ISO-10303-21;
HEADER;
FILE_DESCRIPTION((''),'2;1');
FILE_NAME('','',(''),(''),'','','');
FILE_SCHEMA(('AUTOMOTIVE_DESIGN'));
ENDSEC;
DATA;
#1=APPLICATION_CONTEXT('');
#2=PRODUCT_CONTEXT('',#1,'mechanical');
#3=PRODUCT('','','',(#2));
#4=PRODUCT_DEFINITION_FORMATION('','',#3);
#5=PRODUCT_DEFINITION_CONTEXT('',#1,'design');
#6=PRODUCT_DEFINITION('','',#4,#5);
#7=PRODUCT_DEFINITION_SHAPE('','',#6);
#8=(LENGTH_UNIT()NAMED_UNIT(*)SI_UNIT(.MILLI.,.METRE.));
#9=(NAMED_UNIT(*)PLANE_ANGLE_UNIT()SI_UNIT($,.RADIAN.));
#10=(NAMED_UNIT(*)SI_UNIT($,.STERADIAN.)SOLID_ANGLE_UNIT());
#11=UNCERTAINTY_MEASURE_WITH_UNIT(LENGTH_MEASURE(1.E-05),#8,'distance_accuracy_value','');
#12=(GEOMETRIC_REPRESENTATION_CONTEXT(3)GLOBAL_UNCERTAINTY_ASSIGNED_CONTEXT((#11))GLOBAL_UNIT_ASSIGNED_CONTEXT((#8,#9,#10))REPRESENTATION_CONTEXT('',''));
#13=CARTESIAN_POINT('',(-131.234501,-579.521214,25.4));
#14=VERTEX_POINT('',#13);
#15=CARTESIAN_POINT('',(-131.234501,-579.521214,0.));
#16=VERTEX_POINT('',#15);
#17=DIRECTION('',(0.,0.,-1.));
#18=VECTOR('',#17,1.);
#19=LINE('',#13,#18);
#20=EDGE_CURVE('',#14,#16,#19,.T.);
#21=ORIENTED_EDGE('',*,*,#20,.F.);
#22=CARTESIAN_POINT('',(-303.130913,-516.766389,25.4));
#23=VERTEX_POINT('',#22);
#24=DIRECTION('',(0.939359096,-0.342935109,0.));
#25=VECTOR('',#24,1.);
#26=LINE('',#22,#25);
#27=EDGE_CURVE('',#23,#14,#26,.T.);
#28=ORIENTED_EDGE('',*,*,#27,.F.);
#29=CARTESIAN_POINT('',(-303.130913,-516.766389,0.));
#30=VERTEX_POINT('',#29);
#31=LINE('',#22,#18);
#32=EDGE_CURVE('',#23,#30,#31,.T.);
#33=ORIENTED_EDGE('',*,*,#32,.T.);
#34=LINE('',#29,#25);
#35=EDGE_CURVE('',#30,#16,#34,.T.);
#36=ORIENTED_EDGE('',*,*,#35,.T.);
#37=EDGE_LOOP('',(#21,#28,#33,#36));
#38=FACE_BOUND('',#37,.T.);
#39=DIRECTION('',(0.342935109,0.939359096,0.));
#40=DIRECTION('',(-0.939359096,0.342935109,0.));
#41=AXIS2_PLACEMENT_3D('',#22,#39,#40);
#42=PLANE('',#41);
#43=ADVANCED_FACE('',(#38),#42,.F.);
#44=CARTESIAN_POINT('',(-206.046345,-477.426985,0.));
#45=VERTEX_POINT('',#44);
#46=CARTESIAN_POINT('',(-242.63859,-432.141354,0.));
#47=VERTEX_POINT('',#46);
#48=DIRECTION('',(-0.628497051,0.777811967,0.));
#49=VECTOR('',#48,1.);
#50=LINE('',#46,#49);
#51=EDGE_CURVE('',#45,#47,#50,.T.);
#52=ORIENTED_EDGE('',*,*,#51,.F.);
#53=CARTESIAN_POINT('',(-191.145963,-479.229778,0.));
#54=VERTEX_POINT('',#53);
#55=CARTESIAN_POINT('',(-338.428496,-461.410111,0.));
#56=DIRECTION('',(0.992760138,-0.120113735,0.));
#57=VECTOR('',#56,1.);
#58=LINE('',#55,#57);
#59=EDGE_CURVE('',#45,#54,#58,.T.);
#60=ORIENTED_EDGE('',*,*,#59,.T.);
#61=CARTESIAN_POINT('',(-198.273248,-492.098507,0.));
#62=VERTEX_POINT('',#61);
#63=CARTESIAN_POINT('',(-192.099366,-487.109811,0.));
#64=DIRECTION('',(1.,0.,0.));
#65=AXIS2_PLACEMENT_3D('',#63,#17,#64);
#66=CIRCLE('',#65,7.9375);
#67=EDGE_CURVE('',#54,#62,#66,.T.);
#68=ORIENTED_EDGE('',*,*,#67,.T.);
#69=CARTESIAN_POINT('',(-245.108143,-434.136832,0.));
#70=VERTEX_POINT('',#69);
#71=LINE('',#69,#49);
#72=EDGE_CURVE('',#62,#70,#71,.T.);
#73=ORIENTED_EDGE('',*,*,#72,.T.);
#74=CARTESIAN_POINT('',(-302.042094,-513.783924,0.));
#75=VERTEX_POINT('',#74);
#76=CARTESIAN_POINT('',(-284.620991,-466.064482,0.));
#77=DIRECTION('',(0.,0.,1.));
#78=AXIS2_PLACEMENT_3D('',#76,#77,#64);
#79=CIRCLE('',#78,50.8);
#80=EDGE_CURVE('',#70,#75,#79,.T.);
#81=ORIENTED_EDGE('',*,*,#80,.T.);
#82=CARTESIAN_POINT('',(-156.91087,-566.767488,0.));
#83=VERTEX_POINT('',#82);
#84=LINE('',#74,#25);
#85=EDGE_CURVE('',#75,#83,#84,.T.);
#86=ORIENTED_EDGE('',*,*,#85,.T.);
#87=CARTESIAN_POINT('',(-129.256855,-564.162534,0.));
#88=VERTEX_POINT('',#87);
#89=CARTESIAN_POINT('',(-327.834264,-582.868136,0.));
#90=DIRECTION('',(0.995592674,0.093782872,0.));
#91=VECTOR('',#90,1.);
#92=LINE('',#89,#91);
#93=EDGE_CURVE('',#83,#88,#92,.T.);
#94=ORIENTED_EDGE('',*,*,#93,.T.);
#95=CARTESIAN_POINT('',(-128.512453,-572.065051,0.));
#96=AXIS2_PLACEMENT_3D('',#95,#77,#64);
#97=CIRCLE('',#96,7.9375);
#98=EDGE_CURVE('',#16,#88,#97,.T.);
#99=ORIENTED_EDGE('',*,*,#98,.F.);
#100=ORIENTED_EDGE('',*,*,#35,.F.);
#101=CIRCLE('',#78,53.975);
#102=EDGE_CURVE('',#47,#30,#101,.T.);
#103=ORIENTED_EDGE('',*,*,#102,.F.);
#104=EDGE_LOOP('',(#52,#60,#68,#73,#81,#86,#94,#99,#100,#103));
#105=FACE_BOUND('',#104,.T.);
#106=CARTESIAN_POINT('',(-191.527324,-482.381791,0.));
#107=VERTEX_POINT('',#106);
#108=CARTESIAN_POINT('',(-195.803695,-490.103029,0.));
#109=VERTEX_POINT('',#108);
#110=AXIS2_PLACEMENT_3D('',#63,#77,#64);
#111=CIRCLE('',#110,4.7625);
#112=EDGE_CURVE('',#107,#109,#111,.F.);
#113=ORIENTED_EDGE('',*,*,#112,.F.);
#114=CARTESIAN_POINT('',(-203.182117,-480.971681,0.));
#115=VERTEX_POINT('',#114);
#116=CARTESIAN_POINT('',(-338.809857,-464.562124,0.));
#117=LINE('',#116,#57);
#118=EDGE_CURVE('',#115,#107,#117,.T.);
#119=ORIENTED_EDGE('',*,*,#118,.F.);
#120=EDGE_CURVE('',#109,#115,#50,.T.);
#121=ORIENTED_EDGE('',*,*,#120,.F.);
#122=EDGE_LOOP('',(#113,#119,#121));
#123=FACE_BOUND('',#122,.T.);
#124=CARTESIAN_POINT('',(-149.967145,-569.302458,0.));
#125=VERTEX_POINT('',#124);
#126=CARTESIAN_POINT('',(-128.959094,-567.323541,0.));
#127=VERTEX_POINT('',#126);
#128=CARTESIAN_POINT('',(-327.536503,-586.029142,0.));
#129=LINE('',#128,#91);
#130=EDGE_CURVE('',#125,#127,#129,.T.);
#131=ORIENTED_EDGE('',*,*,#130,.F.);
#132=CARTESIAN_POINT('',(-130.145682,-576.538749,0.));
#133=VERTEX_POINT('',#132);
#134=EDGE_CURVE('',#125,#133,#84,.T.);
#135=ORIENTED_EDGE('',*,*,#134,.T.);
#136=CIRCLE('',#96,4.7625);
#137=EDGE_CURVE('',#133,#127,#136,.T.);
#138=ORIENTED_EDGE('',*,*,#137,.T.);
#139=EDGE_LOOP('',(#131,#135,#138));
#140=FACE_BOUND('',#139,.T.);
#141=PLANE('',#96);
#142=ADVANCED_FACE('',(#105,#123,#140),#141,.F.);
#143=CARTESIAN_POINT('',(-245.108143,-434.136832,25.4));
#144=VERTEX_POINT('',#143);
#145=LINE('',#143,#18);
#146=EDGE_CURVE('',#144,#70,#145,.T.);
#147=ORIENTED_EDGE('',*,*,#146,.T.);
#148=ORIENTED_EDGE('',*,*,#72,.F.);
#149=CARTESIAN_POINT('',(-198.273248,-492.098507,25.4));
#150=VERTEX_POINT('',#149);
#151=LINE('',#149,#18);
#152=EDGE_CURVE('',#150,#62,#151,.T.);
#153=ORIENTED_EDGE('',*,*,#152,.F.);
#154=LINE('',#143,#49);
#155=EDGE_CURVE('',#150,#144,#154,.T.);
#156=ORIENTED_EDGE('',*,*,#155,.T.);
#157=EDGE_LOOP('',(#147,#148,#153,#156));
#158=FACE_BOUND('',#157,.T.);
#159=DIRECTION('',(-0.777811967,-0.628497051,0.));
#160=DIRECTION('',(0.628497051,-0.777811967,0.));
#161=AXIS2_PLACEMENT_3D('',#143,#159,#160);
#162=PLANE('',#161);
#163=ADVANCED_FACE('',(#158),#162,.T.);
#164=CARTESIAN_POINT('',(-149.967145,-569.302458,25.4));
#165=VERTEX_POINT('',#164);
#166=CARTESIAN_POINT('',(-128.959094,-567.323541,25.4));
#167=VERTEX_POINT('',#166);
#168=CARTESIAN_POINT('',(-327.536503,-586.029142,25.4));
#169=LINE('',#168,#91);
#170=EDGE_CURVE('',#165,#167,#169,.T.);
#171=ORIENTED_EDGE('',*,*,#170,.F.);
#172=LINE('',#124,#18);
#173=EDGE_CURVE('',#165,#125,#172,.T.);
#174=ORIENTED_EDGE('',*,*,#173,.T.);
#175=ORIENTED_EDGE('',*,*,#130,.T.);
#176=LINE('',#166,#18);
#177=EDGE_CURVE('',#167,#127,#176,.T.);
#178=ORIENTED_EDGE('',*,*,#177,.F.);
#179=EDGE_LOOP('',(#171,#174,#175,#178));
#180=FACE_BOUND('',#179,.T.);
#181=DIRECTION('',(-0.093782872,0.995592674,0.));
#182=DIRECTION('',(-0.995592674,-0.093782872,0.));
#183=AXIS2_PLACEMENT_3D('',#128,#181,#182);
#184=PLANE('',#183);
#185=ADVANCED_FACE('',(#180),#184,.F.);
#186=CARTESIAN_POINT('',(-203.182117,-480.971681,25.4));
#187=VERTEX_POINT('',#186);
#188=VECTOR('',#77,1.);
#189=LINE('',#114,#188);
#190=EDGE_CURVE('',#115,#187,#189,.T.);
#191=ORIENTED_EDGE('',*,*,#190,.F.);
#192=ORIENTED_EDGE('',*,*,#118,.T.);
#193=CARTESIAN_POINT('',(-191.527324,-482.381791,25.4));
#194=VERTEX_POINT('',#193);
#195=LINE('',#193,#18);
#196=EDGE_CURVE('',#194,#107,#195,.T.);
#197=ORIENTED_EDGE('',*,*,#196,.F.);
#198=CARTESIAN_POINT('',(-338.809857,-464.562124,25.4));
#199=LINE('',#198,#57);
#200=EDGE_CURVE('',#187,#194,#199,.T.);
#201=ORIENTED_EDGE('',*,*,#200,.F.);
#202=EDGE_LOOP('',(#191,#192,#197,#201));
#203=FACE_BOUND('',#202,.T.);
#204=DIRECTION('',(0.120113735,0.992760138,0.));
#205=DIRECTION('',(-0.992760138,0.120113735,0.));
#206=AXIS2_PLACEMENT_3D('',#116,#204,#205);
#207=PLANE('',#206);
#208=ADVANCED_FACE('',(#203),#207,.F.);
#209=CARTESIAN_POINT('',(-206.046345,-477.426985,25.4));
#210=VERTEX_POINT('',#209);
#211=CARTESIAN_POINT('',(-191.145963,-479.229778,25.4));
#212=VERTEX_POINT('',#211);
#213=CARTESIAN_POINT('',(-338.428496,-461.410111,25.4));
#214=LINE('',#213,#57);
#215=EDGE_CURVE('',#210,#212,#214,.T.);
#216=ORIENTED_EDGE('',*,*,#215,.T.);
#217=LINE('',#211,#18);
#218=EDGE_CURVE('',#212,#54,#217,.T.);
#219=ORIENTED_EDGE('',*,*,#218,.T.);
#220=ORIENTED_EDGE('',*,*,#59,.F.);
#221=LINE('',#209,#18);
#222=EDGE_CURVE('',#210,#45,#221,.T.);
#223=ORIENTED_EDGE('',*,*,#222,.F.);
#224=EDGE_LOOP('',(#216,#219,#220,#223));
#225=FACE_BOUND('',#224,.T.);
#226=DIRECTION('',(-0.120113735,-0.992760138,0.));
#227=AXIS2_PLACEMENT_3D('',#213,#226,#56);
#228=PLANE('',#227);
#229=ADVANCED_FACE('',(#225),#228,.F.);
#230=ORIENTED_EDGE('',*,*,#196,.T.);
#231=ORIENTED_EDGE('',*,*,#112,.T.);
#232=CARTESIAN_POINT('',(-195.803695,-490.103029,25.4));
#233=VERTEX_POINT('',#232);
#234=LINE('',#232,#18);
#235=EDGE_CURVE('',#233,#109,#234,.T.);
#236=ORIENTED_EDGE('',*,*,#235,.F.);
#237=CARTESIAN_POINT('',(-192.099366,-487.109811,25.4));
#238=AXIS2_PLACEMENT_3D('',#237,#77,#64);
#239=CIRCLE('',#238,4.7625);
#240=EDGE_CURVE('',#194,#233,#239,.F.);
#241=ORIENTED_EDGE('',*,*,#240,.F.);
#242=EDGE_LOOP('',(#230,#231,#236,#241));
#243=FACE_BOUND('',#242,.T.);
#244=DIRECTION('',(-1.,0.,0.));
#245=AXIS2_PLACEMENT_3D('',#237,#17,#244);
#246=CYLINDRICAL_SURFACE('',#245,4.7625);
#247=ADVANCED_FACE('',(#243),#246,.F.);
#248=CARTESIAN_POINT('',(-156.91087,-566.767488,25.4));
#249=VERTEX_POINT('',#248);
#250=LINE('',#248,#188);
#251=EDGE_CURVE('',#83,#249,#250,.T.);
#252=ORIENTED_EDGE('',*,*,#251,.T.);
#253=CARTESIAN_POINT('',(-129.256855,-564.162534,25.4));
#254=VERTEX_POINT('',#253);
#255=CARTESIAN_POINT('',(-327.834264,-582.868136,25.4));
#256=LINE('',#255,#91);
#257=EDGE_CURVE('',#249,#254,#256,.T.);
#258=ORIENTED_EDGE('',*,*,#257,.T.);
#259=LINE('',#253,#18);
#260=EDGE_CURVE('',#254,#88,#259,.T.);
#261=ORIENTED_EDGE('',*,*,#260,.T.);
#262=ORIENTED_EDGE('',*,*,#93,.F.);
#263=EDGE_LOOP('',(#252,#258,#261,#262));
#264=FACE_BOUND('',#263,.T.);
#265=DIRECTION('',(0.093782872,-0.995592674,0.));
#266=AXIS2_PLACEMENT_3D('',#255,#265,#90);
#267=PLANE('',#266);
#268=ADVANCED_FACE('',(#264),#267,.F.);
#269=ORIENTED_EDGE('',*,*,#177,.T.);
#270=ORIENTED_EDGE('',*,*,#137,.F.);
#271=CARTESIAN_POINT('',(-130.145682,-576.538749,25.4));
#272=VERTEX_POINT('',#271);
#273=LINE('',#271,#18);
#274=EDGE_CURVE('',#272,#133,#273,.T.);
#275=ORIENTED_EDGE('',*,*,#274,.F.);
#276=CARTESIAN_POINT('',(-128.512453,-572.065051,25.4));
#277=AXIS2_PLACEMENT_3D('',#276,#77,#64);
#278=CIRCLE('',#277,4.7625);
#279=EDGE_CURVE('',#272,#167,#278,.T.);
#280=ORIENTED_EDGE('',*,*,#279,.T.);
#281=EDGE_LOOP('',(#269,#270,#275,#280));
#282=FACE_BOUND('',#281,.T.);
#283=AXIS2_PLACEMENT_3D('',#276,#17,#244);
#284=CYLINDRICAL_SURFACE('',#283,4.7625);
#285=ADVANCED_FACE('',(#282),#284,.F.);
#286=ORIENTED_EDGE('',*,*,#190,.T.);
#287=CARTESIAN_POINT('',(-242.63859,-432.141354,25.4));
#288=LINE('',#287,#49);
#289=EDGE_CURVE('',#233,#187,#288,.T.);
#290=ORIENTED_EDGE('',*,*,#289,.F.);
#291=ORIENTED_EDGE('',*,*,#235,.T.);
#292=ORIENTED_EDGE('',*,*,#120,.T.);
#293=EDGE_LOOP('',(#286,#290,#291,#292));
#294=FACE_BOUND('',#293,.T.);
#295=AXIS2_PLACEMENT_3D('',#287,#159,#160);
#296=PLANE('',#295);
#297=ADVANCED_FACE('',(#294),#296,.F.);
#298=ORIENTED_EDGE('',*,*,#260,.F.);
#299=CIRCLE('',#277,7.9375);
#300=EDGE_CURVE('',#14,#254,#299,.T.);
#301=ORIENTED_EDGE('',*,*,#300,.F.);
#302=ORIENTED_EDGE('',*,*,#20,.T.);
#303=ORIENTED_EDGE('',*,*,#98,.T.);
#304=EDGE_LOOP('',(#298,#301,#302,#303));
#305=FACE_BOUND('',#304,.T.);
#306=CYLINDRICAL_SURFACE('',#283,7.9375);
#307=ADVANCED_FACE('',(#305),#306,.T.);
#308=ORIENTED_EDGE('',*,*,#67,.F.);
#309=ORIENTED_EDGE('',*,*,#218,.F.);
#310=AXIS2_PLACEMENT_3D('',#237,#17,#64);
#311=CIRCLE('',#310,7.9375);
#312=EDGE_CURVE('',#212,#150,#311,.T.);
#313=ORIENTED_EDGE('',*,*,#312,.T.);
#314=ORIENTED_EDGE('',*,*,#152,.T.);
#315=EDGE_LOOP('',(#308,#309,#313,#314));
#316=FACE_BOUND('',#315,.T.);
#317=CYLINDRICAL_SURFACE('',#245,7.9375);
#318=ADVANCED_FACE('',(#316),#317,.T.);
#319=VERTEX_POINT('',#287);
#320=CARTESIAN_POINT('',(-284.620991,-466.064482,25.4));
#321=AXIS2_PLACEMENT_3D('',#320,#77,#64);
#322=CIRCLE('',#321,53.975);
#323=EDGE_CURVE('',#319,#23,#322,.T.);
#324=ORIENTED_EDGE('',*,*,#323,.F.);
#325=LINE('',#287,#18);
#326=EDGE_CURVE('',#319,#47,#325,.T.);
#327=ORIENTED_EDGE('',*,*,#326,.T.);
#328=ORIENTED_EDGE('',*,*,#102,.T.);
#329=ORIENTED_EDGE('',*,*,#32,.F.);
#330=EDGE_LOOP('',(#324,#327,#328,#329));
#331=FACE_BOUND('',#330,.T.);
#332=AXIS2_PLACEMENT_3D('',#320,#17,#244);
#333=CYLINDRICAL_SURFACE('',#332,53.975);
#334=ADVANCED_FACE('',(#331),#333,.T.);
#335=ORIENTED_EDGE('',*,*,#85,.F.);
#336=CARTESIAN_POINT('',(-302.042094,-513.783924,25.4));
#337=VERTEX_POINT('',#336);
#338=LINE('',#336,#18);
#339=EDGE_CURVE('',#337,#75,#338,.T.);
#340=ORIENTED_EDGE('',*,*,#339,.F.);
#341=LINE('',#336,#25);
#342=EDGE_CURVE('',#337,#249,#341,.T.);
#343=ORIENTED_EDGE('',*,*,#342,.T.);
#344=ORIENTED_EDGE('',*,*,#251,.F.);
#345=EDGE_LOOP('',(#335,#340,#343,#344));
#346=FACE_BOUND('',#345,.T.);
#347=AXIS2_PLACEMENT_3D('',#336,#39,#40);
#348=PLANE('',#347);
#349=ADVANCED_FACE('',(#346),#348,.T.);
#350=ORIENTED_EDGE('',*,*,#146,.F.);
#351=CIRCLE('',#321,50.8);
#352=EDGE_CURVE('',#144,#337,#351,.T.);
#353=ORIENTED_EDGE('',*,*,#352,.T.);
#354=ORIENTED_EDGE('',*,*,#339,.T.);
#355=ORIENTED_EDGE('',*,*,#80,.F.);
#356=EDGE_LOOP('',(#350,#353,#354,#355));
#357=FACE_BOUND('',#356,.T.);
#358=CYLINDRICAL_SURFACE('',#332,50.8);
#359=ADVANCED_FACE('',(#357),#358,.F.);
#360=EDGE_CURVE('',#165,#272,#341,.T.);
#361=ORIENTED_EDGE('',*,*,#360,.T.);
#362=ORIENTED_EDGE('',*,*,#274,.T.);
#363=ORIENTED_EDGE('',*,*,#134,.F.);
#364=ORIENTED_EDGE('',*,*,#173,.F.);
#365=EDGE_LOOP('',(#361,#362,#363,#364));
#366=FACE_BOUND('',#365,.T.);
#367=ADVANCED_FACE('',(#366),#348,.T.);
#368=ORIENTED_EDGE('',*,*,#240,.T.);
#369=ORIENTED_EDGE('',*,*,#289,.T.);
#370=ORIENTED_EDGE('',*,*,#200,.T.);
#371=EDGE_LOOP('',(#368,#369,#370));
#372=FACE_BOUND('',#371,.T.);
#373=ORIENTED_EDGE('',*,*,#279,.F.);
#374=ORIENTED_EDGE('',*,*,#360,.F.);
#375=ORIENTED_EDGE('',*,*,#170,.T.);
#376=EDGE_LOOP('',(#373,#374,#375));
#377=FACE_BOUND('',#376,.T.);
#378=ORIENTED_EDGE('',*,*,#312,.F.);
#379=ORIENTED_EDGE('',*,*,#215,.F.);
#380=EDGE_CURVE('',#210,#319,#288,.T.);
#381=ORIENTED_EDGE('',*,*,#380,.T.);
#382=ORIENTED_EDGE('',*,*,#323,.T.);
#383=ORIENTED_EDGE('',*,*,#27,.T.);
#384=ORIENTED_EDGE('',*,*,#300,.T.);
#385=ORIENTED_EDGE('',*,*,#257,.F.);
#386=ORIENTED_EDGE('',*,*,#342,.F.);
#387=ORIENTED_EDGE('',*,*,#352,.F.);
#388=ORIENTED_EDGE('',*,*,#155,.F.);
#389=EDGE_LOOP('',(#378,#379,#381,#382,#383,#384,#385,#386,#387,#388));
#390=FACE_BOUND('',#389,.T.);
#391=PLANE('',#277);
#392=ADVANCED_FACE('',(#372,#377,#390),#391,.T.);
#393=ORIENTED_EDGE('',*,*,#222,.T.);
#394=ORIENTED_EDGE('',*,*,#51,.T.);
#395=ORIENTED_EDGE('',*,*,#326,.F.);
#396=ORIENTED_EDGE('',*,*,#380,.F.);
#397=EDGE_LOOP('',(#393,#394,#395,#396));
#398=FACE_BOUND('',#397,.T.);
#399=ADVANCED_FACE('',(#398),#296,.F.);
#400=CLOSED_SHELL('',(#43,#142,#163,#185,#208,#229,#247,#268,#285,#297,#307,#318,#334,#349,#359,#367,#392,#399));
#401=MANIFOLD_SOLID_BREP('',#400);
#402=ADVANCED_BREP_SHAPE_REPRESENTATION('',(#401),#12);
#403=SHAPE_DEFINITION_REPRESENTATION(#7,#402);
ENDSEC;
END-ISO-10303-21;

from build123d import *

# Parameters (mm, degrees)
EXTRUDE_THIN1_DEPTH = 25.4
BOSS_EXTRUDE1_REACH = 633.439
SKETCH3_W           = 25.4
SKETCH3_H           = 3.175
BOSS_EXTRUDE2_REACH = 587.221
SKETCH4_W           = 25.4
SKETCH4_H           = 3.175


with BuildPart() as part:
    # Sketch2 → Extrude-Thin1 (new body)
    with BuildSketch(Plane.XY):
        with BuildLine():
            ThreePointArc((-128.959094117, -567.323540773), (-123.788950473, -572.673268248), (-130.145681643, -576.538748578))
            Line((-130.145681643, -576.538748578), (-302.042094367, -513.783924281))
            ThreePointArc((-302.042094367, -513.783924281), (-325.948053636, -436.522751042), (-245.108142892, -434.136832006))
            Line((-245.108142892, -434.136832006), (-198.273248153, -492.098506685))
            ThreePointArc((-198.273248153, -492.098506685), (-185.155706812, -490.955524281), (-191.14596289, -479.229777749))
            Line((-191.14596289, -479.229777749), (-191.527323999, -482.381791186))
            ThreePointArc((-191.527323999, -482.381791186), (-187.933170352, -489.417239105), (-195.803695157, -490.103028547))
            Line((-195.803695157, -490.103028547), (-242.638589895, -432.141353869))
            ThreePointArc((-242.638589895, -432.141353869), (-328.530995061, -434.676392845), (-303.130913338, -516.76638941))
            Line((-303.130913338, -516.76638941), (-131.234500614, -579.521213708))
            ThreePointArc((-131.234500614, -579.521213708), (-120.639948663, -573.078746491), (-129.256854737, -564.162534033))
            Line((-129.256854737, -564.162534033), (-128.959094117, -567.323540773))
        make_face()
    extrude(amount=EXTRUDE_THIN1_DEPTH)

    # Boss-Extrude1: up to this plane
    boss_extrude1_end = Plane(origin=(-242.638589895, -432.141353869, 25.4), z_dir=(-0.7778119673882409, -0.6284970512163396, 0))
    # Sketch3 → Boss-Extrude1 (add, up to the surface)
    with BuildSketch(Plane(origin=(-131.24290391, 15.879037441, 0), x_dir=(0, 0, 1), z_dir=(-0.9927601375164752, 0.12011373509415744, 0)), mode=Mode.PRIVATE) as boss_extrude1_sk1:
        with Locations((12.7, -500.306975611)):
            Rectangle(SKETCH3_W, SKETCH3_H)
    boss_extrude1_tool1 = split(extrude(boss_extrude1_sk1.sketch, amount=BOSS_EXTRUDE1_REACH, mode=Mode.PRIVATE), bisect_by=boss_extrude1_end, keep=Keep.BOTH, mode=Mode.PRIVATE)
    add(boss_extrude1_tool1.solids().sort_by_distance((-191.336643, -480.805784, 12.7))[0])

    # Boss-Extrude2: up to this plane
    boss_extrude2_end = Plane(origin=(-302.042094367, -513.783924281, 25.4), z_dir=(0.3429351088975487, 0.9393590959188219, 0))
    # Sketch4 → Boss-Extrude2 (add, up to the surface)
    with BuildSketch(Plane(origin=(-180.795608077, -17.030590821, 0), x_dir=(0, 0, 1), z_dir=(-0.9955926741540518, -0.09378287248098222, 0)), mode=Mode.PRIVATE) as boss_extrude2_sk1:
        with Locations((12.7, -551.14150679)):
            Rectangle(SKETCH4_W, SKETCH4_H)
    boss_extrude2_tool1 = split(extrude(boss_extrude2_sk1.sketch, amount=BOSS_EXTRUDE2_REACH, mode=Mode.PRIVATE), bisect_by=boss_extrude2_end, keep=Keep.BOTH, mode=Mode.PRIVATE)
    add(boss_extrude2_tool1.solids().sort_by_distance((-129.107974, -565.743037, 12.7))[0])


solid = part.part
